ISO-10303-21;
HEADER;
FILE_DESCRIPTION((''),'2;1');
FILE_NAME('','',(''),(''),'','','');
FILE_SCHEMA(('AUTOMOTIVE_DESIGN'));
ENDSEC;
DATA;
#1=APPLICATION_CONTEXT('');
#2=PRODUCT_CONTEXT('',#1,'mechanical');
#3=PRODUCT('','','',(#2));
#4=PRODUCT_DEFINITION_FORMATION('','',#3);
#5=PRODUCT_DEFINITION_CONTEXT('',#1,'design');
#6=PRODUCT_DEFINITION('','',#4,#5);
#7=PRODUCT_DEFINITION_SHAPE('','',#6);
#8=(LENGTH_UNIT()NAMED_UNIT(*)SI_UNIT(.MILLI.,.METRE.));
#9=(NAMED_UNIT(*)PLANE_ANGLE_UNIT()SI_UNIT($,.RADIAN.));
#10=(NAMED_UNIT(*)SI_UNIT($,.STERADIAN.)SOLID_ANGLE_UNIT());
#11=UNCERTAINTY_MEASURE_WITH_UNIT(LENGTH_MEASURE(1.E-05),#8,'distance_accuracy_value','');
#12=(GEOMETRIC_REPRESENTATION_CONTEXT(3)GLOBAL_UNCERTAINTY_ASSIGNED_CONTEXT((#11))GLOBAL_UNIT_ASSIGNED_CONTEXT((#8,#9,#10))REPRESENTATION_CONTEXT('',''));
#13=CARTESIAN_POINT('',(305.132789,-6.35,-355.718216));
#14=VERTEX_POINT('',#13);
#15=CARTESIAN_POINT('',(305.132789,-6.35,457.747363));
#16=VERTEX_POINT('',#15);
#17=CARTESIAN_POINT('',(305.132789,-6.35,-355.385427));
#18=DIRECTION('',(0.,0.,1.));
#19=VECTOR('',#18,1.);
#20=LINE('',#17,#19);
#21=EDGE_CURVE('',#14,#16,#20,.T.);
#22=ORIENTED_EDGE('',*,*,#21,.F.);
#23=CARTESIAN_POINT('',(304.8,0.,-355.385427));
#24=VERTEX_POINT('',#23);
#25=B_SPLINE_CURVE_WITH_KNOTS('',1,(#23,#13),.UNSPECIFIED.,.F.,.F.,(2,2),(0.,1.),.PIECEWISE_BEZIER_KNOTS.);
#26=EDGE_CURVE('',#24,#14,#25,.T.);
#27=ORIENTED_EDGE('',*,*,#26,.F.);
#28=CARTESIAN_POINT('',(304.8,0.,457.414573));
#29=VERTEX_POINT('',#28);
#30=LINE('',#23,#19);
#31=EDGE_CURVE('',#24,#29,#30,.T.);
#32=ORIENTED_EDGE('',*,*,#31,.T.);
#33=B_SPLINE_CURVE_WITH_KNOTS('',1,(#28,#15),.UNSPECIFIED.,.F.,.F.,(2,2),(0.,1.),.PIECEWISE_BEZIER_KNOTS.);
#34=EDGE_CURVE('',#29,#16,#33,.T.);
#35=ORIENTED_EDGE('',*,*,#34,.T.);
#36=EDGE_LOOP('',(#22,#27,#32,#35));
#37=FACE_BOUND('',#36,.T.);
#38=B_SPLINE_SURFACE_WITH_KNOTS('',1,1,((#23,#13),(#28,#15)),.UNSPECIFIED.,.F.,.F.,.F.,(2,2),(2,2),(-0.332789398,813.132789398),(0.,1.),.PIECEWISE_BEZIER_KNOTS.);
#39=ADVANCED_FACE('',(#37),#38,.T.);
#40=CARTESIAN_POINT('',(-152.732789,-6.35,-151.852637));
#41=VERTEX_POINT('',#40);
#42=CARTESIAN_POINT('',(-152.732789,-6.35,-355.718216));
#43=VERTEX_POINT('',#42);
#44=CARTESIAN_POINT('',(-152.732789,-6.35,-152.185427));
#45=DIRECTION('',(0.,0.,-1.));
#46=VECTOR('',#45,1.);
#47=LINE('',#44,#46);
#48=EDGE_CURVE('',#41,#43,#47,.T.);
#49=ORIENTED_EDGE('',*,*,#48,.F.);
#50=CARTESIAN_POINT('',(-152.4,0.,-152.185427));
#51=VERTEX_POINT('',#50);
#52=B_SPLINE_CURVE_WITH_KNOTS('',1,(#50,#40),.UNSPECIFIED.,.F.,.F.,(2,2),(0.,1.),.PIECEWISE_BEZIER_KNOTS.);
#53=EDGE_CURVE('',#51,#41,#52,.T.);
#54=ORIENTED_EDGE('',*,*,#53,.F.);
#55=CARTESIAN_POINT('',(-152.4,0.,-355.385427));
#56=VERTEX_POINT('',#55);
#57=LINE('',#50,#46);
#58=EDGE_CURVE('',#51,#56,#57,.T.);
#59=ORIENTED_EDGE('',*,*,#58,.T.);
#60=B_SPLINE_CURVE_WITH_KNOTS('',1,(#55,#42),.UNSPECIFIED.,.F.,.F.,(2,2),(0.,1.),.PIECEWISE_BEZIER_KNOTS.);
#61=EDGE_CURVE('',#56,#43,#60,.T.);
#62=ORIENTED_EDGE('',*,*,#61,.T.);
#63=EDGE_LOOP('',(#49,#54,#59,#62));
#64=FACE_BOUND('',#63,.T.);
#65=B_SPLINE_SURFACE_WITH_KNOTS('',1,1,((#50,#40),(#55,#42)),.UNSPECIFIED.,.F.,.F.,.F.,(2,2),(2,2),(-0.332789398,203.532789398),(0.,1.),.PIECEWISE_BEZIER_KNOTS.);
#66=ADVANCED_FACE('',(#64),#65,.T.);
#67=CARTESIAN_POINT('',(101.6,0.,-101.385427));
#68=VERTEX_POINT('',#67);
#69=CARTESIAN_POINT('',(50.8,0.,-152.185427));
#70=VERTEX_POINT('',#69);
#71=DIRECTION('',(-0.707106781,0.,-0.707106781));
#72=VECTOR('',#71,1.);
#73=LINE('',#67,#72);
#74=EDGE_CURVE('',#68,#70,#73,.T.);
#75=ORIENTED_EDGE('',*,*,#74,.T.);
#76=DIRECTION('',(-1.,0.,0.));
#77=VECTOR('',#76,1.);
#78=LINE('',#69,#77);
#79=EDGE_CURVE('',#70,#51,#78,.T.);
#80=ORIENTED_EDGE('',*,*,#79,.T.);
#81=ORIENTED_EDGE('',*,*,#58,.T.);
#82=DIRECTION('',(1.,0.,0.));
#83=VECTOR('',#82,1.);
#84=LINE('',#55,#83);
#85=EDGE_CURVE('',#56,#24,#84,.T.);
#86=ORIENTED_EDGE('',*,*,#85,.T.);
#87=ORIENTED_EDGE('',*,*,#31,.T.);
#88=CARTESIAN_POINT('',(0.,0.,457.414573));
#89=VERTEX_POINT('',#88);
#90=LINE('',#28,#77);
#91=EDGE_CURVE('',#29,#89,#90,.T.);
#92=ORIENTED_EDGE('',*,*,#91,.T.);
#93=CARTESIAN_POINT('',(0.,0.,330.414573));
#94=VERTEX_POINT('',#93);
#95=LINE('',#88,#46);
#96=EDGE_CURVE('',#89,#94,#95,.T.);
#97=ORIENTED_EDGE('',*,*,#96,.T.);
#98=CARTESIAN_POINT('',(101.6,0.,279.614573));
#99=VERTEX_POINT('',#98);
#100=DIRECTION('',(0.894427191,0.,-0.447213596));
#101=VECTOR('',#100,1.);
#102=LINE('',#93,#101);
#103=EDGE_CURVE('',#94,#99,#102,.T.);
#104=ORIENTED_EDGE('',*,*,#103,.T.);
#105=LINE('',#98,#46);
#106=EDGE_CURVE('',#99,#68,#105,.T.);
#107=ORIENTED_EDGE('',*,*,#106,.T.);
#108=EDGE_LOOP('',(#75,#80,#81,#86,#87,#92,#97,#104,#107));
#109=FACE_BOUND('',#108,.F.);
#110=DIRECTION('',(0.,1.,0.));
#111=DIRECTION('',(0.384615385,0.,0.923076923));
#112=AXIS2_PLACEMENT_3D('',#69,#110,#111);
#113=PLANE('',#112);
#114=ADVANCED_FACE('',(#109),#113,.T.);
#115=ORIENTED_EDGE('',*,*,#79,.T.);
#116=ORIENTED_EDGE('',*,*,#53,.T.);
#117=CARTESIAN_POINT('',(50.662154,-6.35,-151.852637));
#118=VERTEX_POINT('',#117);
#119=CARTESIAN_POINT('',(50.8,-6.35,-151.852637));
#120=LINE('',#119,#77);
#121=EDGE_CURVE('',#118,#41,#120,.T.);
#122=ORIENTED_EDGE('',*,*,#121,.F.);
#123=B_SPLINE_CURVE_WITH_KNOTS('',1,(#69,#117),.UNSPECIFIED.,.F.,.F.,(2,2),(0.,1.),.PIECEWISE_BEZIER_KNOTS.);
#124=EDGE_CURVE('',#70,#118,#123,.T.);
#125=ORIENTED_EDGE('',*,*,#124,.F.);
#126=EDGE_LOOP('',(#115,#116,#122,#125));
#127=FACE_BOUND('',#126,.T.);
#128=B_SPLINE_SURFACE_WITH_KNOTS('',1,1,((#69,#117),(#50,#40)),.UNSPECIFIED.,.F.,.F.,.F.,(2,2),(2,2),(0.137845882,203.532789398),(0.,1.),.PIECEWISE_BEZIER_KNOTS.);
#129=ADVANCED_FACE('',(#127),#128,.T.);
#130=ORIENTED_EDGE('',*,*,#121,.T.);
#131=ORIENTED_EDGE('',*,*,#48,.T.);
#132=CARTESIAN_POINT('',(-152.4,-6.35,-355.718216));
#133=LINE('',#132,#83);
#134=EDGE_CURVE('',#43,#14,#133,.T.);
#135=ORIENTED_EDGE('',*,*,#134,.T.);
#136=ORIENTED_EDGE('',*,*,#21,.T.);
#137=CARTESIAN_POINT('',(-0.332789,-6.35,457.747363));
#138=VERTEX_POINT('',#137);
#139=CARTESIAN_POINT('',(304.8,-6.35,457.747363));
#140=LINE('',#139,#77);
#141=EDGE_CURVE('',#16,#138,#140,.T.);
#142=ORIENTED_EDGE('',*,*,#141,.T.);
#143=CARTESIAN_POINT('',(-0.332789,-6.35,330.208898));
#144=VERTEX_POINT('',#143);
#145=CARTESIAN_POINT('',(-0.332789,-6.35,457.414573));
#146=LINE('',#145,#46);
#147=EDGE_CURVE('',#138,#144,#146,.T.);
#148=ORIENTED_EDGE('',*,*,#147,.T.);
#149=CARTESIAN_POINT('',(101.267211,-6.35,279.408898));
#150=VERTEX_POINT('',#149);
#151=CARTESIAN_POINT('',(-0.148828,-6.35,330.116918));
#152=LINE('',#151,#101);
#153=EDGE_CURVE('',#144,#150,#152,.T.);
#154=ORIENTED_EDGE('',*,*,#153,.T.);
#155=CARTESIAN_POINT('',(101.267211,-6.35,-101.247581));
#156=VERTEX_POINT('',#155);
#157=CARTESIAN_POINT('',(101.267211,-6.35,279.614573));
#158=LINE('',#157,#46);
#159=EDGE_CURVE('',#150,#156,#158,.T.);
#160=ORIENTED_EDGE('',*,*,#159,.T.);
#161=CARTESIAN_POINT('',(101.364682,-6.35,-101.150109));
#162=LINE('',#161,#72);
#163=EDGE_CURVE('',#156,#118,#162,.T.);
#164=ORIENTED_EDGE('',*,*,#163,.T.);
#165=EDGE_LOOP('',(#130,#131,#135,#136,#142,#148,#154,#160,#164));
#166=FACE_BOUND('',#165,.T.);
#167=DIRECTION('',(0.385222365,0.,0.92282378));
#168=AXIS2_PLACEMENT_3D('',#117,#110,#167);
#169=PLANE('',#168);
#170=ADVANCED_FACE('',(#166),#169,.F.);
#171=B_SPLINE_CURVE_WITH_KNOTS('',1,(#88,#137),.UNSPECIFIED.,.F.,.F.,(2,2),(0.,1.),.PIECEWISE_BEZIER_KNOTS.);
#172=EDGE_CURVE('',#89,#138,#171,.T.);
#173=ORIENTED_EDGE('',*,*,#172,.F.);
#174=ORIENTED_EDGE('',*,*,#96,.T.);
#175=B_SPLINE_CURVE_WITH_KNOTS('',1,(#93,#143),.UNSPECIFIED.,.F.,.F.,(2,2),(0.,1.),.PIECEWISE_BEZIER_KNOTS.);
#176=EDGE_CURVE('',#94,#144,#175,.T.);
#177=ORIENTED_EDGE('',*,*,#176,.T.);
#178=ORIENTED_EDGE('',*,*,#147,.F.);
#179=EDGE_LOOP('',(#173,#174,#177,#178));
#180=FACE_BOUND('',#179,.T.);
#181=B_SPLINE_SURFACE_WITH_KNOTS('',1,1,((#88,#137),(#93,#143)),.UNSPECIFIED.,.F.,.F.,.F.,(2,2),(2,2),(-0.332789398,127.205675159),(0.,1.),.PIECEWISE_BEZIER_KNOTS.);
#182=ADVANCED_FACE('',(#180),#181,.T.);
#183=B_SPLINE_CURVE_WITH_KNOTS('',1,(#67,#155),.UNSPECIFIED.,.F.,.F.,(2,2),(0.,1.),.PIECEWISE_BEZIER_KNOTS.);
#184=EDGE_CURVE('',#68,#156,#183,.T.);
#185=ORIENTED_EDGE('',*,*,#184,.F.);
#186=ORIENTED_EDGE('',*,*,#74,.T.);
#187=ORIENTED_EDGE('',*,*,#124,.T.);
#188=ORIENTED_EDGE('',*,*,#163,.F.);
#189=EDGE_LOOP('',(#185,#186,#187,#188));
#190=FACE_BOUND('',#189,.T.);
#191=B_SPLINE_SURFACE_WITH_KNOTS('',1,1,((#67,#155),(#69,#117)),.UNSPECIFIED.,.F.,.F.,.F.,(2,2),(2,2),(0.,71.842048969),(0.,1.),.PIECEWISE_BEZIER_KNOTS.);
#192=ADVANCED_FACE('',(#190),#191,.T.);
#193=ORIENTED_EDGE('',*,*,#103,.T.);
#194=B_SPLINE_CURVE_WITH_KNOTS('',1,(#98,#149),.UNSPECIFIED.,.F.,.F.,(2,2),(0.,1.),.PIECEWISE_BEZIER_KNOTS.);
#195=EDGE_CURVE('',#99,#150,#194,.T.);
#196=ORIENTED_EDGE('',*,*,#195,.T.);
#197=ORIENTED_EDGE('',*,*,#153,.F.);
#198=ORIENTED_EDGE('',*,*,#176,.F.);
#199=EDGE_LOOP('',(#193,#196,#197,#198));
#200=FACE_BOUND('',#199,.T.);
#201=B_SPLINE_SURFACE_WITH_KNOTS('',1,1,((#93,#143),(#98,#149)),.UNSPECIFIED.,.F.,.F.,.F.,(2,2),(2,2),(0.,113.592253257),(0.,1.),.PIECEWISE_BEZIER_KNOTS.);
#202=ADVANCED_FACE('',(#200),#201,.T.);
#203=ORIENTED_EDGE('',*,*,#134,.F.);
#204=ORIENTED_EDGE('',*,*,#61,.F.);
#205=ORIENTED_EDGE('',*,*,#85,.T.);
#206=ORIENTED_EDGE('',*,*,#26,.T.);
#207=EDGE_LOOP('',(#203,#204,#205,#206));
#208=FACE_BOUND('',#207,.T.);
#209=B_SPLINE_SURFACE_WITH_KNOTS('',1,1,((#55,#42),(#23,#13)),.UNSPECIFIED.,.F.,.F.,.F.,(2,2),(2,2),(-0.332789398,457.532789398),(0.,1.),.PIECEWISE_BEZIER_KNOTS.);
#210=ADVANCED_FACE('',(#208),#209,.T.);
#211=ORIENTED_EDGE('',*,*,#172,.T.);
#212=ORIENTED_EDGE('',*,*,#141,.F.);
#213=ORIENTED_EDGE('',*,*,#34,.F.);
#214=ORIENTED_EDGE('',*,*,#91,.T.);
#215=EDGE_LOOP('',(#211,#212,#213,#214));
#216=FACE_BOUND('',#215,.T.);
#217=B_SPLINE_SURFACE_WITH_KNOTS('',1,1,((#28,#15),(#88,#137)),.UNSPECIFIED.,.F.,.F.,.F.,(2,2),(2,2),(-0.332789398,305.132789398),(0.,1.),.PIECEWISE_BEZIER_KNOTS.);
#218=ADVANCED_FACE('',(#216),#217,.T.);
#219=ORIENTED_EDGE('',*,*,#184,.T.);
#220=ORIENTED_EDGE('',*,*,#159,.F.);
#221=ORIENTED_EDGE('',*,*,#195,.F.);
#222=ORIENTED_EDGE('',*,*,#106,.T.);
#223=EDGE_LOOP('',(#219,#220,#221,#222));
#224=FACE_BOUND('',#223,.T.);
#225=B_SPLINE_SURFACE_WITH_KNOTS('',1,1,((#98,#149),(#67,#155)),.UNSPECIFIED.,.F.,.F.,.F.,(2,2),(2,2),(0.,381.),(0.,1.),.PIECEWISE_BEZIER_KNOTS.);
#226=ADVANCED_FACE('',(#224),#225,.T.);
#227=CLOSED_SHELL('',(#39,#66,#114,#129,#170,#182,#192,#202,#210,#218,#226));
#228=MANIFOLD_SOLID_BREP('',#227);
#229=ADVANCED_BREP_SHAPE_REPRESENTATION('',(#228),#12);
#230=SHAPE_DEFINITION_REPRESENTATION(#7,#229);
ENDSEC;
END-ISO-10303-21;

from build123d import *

# Parameters (mm, degrees)
F1_DEPTH = 6.35
F1_TAPER = -3


with BuildPart() as f1:
    # F0 (on Front) → F1 (new body)
    with BuildSketch(Plane.XZ):
        Polygon((50.8, -152.185426528), (-152.4, -152.185426528), (-152.4, -355.385426528), (304.8, -355.385426528), (304.8, 457.414573472), (0, 457.414573472), (0, 330.414573472), (101.6, 279.614573472), (101.6, -101.385426528), align=None)
    extrude(amount=F1_DEPTH, taper=F1_TAPER)


solid = f1.part
